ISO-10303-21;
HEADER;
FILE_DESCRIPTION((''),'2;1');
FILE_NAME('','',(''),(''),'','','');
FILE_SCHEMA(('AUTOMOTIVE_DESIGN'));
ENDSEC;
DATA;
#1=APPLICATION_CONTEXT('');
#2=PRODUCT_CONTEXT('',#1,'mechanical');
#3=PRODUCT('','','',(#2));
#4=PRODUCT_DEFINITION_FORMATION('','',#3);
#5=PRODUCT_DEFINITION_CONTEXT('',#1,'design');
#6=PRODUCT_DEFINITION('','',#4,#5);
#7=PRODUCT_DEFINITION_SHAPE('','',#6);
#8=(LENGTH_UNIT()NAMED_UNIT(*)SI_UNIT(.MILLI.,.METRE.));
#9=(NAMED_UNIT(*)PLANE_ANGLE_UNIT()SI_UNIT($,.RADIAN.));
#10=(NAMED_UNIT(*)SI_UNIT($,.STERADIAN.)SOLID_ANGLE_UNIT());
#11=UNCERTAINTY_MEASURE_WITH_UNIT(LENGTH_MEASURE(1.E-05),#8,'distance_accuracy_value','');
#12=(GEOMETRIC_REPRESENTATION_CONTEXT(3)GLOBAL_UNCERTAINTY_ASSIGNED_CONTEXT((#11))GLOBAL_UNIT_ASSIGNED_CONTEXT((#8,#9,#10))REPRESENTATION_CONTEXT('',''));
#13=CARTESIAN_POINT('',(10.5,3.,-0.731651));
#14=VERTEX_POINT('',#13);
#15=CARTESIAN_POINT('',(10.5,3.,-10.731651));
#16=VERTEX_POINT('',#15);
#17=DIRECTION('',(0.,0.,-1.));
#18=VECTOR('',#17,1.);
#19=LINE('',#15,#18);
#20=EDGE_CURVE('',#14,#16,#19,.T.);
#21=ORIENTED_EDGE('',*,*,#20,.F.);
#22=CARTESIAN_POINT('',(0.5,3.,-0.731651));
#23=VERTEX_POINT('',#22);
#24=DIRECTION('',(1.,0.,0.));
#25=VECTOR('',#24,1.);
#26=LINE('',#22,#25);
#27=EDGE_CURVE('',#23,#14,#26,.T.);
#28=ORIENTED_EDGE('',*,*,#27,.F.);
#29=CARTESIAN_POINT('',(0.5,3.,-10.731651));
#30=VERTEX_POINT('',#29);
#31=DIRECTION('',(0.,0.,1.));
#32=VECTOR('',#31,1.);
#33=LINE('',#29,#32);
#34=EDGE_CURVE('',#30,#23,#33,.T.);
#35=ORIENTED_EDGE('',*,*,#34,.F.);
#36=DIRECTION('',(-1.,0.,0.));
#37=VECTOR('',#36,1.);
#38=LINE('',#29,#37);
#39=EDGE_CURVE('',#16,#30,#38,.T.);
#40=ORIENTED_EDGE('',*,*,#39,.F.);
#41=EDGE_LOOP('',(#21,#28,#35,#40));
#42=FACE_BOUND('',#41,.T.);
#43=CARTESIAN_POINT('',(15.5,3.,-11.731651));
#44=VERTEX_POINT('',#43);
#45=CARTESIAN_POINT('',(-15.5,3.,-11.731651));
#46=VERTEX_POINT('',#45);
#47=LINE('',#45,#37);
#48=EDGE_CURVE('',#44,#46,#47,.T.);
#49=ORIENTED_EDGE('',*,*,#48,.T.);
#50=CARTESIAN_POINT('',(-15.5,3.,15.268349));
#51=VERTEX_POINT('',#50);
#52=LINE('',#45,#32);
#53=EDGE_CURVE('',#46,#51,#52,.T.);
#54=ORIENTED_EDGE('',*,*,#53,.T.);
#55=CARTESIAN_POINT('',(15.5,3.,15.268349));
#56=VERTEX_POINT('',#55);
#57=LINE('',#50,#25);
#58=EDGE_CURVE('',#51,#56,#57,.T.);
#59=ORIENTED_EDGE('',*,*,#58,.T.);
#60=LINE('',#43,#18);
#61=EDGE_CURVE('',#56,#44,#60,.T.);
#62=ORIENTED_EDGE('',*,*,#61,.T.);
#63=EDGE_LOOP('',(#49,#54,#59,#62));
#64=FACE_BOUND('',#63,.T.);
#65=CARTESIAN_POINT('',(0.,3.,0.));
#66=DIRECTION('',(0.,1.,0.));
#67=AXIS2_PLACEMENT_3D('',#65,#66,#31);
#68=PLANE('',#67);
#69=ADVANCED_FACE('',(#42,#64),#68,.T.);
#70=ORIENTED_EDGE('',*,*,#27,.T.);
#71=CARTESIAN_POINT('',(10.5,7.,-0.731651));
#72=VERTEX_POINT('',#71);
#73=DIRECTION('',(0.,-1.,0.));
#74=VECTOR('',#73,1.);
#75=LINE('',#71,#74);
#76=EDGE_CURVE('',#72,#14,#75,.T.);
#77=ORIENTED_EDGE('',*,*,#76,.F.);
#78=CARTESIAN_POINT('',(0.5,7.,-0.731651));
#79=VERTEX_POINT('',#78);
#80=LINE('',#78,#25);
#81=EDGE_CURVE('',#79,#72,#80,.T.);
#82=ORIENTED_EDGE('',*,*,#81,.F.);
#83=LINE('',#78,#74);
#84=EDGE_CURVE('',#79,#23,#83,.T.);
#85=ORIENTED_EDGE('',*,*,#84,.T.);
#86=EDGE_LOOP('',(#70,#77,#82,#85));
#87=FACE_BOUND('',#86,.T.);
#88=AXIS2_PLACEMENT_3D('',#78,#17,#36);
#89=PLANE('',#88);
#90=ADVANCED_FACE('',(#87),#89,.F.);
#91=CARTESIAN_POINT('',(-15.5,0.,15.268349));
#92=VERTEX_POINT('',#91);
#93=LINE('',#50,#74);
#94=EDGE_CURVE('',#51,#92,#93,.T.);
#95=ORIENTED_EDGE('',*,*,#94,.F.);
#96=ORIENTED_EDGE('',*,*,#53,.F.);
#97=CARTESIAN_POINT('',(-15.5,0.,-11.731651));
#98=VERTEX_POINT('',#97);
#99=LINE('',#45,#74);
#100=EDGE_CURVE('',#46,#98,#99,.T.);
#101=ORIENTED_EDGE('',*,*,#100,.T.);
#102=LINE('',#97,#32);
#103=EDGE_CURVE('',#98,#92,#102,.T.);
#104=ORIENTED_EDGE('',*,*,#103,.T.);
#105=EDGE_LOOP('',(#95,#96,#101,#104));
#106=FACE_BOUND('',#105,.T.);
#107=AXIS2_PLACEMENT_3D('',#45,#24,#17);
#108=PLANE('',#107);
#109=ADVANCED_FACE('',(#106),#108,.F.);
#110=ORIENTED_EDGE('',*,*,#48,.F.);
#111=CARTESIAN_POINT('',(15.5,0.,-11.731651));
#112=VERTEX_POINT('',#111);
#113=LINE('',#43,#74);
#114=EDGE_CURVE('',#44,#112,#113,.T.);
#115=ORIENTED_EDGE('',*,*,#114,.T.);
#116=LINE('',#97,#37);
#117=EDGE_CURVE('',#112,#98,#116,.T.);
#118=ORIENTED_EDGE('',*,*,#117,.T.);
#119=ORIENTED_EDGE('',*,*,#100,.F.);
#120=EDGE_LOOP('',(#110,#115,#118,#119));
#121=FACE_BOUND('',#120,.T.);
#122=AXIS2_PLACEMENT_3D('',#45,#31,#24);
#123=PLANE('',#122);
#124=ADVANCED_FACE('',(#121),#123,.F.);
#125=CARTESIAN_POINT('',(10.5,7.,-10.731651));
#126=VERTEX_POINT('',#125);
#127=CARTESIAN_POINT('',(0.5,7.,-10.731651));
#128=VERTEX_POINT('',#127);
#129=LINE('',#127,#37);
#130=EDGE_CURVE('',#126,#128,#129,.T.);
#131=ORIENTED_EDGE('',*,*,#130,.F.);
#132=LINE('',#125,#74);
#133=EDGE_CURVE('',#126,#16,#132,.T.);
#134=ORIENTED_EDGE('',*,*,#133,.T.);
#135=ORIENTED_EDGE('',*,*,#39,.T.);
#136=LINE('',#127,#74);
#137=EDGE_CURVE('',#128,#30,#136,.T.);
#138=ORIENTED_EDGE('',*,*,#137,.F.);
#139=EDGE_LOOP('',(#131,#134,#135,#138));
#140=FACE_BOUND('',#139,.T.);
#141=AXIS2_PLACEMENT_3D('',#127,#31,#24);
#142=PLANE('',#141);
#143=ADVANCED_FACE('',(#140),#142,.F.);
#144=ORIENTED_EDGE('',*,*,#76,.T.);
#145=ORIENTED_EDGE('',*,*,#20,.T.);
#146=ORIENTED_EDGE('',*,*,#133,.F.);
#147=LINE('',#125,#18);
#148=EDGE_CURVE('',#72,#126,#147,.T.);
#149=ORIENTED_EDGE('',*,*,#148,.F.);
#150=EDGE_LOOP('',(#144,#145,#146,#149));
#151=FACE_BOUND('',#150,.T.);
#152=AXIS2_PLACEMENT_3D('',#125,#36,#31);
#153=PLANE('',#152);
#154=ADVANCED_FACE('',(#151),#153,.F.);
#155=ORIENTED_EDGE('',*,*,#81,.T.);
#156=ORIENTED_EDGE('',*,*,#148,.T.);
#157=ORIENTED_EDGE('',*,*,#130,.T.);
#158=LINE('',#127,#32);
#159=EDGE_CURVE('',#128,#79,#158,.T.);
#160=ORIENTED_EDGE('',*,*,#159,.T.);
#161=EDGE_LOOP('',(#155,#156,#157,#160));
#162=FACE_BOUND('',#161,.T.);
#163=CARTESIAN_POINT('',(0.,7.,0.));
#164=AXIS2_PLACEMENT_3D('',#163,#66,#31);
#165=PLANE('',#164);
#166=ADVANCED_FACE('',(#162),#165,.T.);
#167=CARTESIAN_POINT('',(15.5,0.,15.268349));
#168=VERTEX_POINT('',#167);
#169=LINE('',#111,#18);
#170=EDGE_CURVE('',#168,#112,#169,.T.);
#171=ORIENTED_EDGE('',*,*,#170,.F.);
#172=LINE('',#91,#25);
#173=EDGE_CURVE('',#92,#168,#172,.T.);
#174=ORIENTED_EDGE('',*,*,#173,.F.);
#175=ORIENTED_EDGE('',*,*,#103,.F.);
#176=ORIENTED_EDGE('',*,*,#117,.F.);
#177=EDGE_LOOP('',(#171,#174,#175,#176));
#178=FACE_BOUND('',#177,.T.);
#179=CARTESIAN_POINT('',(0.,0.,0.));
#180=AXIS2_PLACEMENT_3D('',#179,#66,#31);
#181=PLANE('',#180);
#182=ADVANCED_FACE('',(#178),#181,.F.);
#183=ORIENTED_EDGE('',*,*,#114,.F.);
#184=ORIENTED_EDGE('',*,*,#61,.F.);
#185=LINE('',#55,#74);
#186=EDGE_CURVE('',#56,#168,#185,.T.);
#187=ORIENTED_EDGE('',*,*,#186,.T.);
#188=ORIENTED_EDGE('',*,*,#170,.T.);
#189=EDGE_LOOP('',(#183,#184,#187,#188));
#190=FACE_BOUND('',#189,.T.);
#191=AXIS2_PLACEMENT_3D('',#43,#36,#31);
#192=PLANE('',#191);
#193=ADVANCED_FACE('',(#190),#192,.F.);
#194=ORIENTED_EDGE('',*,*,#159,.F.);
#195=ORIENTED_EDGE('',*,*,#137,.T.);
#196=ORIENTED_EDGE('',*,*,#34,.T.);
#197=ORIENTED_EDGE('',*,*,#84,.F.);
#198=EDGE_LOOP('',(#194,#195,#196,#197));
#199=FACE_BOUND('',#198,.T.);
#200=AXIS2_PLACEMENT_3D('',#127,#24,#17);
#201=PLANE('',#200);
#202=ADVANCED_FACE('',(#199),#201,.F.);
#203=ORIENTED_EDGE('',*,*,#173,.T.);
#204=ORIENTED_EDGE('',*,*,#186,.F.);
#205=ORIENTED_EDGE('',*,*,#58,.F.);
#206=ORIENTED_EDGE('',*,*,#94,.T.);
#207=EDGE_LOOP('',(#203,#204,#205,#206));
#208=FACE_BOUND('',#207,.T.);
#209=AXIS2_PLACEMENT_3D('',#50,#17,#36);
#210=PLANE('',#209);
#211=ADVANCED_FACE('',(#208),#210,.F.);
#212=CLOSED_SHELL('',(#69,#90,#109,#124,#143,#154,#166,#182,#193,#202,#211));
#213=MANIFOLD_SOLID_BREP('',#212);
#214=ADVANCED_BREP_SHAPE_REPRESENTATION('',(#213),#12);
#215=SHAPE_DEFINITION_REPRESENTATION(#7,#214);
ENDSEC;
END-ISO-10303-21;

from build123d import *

# Parameters (mm, degrees)
SKETCH1_W           = 31
SKETCH1_H           = 27
BOSS_EXTRUDE1_DEPTH = 3
SKETCH2_W           = 10
SKETCH2_H           = 10
BOSS_EXTRUDE2_DEPTH = 4


with BuildPart() as part:
    # Sketch1 → Boss-Extrude1 (new body)
    with BuildSketch(Plane(origin=(0, 0, 0), x_dir=(1, 0, 0), z_dir=(0, 1, 0))):
        with Locations((0, -1.768348624)):
            Rectangle(SKETCH1_W, SKETCH1_H)
    extrude(amount=BOSS_EXTRUDE1_DEPTH)

    # Sketch2 → Boss-Extrude2 (add)
    with BuildSketch(Plane(origin=(0, 3, 0), x_dir=(1, 0, 0), z_dir=(0, 1, 0))):
        with Locations((5.5, 5.731651376)):
            Rectangle(SKETCH2_W, SKETCH2_H)
    extrude(amount=BOSS_EXTRUDE2_DEPTH)


solid = part.part
